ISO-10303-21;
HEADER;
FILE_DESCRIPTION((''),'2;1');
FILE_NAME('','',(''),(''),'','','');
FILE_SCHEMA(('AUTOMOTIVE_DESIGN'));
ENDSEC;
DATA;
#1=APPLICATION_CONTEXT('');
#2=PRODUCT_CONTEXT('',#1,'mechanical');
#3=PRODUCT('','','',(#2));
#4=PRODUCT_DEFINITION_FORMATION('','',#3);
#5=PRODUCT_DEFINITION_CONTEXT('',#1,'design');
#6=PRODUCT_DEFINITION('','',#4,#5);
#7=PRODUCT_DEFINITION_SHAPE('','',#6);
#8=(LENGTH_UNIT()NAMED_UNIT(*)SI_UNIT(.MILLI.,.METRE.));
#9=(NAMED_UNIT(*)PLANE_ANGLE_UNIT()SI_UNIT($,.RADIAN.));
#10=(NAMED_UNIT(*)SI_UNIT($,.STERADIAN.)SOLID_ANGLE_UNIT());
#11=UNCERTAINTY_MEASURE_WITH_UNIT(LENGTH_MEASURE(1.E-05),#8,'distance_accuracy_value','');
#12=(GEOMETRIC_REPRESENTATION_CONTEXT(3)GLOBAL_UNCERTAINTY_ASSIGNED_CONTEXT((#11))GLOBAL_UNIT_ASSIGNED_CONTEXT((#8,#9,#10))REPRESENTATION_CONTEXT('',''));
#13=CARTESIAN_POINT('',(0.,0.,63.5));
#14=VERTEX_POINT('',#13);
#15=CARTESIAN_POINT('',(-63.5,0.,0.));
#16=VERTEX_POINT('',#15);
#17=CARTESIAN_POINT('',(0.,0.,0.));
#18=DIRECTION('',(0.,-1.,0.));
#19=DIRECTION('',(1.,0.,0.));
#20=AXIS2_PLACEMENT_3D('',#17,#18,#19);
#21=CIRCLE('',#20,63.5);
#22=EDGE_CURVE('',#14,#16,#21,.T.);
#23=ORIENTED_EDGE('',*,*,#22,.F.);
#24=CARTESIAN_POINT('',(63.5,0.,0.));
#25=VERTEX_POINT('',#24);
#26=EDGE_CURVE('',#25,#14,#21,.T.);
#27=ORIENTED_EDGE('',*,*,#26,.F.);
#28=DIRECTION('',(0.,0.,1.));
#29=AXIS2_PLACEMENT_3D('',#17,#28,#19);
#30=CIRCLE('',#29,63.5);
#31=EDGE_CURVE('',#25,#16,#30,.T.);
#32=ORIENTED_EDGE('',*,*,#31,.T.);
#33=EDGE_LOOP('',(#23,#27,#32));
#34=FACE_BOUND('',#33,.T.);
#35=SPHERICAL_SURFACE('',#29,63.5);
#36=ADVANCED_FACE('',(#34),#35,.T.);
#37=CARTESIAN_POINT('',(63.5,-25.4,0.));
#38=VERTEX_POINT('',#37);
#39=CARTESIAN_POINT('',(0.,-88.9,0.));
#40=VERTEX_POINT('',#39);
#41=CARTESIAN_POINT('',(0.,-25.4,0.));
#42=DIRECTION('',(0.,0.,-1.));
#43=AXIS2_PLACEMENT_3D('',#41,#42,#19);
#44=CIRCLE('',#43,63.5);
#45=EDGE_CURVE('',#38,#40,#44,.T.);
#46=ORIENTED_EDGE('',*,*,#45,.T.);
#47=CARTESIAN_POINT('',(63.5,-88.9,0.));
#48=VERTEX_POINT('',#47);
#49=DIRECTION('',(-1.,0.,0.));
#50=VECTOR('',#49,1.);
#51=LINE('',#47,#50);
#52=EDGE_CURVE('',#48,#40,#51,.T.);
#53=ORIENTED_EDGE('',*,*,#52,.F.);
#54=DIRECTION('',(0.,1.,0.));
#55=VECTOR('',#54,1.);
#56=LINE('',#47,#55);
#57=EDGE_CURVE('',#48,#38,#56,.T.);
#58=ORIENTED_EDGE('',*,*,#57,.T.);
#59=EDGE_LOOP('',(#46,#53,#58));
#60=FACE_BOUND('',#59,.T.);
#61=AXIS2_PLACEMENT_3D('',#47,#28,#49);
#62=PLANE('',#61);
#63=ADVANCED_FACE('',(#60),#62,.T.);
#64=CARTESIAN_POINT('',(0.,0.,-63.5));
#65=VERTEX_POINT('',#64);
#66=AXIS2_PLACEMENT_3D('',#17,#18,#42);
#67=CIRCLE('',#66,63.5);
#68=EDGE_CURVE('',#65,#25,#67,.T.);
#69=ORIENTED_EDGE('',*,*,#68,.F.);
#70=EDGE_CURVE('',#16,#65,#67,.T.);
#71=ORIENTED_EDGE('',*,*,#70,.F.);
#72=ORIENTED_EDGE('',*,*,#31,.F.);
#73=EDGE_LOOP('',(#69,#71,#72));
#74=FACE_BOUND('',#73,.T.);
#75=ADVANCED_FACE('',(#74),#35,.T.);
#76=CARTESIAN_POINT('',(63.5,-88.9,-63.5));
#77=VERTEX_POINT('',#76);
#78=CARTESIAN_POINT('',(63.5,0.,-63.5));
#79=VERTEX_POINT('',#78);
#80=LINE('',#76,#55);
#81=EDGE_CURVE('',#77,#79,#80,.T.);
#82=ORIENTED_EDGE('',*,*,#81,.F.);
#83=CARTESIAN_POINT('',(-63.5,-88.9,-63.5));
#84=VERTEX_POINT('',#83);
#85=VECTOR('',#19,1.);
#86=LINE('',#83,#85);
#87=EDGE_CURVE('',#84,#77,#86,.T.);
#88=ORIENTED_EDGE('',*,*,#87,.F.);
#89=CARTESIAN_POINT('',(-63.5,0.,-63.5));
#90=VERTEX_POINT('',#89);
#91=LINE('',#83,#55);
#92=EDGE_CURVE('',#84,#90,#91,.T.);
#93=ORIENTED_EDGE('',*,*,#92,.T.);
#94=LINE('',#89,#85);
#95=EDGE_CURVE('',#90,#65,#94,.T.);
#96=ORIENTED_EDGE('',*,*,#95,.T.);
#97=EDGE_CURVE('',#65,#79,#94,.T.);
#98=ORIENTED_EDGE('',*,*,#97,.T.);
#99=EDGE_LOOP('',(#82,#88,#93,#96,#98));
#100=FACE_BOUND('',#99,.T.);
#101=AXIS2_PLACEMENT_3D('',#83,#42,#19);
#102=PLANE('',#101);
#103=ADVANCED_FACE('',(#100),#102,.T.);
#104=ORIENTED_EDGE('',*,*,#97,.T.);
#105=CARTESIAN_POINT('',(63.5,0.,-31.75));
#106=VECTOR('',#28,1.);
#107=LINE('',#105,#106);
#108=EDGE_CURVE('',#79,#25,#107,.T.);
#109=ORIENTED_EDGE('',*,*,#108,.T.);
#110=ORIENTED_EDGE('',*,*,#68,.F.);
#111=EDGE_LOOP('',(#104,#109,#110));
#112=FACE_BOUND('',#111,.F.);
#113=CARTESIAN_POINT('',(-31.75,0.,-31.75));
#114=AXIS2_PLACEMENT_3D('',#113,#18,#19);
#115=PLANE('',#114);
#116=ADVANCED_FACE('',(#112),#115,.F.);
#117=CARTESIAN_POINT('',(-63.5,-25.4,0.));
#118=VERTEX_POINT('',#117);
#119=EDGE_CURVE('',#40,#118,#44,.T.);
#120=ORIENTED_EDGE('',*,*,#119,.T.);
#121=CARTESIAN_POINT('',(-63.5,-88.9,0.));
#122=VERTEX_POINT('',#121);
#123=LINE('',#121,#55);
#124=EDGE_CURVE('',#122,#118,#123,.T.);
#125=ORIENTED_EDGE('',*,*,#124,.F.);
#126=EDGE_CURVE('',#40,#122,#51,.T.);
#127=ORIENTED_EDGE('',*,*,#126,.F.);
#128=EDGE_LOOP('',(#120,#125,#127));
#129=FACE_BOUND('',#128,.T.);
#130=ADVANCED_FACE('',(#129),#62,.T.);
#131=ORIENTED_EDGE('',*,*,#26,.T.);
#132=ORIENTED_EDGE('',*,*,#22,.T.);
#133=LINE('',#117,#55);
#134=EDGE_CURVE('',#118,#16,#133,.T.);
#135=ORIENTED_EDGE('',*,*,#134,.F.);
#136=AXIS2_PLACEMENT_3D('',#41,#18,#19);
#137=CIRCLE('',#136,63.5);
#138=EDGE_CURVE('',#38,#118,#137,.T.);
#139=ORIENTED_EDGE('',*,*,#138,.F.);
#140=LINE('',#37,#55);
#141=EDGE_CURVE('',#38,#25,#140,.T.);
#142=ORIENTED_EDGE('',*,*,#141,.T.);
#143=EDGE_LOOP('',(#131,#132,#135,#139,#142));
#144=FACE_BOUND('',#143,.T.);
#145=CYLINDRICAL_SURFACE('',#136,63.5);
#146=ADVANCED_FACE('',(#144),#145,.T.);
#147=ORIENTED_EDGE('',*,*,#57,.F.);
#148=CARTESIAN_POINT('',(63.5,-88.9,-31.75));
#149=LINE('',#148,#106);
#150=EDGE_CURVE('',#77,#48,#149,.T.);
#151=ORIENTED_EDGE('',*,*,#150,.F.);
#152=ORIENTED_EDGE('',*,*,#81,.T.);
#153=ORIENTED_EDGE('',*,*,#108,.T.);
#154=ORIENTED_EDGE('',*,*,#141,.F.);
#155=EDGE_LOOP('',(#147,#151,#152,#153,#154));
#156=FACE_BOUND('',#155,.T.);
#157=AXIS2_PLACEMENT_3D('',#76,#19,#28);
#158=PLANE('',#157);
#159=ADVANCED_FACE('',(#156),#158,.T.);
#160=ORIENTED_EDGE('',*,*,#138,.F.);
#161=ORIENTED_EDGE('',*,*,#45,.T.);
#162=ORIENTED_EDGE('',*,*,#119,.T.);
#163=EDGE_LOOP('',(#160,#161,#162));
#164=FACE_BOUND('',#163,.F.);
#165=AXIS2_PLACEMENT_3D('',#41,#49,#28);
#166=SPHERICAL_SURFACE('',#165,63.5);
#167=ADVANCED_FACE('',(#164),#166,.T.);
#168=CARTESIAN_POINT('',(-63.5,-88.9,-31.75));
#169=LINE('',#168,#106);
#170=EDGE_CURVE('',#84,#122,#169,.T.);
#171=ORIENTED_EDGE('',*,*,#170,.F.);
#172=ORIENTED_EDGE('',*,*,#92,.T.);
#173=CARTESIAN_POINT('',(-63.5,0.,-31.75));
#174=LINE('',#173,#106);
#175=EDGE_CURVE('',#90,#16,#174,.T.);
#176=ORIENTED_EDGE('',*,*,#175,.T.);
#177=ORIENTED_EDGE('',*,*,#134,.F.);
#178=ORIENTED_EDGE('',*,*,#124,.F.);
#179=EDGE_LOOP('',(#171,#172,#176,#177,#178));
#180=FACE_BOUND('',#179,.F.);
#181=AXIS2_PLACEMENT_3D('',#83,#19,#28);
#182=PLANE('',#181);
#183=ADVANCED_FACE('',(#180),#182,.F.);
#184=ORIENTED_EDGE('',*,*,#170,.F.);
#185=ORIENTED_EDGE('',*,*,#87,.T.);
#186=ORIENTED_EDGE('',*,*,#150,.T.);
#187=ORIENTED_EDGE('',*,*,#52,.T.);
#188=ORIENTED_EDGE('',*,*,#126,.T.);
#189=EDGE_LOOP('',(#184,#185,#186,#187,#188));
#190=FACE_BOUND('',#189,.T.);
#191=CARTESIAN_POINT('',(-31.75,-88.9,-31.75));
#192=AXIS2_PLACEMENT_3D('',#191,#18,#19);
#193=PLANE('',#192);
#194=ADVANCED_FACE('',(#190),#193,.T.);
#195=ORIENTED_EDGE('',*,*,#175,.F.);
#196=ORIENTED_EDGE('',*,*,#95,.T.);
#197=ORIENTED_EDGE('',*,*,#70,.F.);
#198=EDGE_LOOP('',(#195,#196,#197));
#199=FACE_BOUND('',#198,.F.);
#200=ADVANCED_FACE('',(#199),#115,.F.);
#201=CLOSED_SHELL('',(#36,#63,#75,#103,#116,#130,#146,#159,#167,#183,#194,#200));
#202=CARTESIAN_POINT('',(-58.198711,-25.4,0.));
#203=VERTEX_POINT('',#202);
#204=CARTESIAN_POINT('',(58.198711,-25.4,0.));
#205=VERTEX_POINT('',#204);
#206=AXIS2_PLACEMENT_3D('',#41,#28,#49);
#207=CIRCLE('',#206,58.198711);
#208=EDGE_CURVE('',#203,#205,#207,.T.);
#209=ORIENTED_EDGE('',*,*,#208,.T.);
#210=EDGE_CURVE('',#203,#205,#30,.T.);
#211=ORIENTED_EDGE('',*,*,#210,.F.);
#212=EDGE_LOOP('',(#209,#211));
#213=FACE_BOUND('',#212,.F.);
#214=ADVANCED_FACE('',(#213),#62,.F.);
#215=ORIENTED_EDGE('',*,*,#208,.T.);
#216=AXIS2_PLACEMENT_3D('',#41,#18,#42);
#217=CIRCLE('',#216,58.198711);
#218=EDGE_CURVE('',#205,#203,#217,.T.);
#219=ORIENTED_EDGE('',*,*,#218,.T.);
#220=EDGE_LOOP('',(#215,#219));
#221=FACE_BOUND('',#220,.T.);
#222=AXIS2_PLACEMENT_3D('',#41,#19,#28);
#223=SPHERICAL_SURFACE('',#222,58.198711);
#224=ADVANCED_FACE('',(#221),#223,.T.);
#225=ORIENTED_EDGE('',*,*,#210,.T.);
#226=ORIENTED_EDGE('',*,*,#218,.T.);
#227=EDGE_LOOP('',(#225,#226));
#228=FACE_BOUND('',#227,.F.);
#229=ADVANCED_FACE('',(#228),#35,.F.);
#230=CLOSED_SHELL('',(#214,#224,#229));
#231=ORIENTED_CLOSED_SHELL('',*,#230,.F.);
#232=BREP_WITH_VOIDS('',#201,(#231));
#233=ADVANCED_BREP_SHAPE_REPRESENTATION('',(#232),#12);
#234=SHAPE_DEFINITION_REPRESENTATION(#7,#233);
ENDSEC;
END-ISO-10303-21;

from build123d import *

# Parameters (mm, degrees)
F4_DEPTH = 25.4
F5_ANGLE = 90
F7_W     = 63.5
F7_H     = 63.5
F8_DEPTH = 88.9


with BuildPart() as f1:
    # F0 (on Front) → F1 (revolve)
    with BuildSketch(Plane.XZ):
        with BuildLine():
            Line((0, 63.5), (0, -63.5))
            ThreePointArc((0, -63.5), (44.9012806053, -44.9012806053), (63.5, 0))
            ThreePointArc((63.5, 0), (44.9012806053, 44.9012806053), (0, 63.5))
        make_face()
    revolve(axis=Axis((0, 0, 5.784236908), (0, 0, 1)))

    # F3 (on offset) → F4 (join)
    with BuildSketch(Plane.XZ.offset(25.4)):
        with BuildLine():
            Line((-63.5, 0), (63.5, 0))
            ThreePointArc((63.5, 0), (0, 63.5), (-63.5, 0))
        make_face()
    extrude(amount=-F4_DEPTH)

    # F4_face (on face) → F5 (revolve)
    with BuildSketch(Plane(origin=(0, -25.4, 38.7624051915), x_dir=(1, 0, 0), z_dir=(0, -1, 0))):
        with BuildLine():
            ThreePointArc((63.5, -38.7624051915), (0, 24.7375948085), (-63.5, -38.7624051915))
            Line((-63.5, -38.7624051915), (-58.1987113259, -38.7624051915))
            ThreePointArc((-58.1987113259, -38.7624051915), (0, 19.4363061344), (58.1987113259, -38.7624051915))
            Line((58.1987113259, -38.7624051915), (63.5, -38.7624051915))
        make_face()
    revolve(axis=Axis((-60.849355663, -25.4, 0), (1, 0, 0)), revolution_arc=F5_ANGLE)

    # F7 (on offset) → F8 (join)
    with BuildSketch(Plane.XZ.offset(88.9)):
        with Locations((-31.75, -31.75)):
            Rectangle(F7_W, F7_H)
        with Locations((31.75, -31.75)):
            Rectangle(F7_W, F7_H)
    extrude(amount=-F8_DEPTH)


solid = f1.part
